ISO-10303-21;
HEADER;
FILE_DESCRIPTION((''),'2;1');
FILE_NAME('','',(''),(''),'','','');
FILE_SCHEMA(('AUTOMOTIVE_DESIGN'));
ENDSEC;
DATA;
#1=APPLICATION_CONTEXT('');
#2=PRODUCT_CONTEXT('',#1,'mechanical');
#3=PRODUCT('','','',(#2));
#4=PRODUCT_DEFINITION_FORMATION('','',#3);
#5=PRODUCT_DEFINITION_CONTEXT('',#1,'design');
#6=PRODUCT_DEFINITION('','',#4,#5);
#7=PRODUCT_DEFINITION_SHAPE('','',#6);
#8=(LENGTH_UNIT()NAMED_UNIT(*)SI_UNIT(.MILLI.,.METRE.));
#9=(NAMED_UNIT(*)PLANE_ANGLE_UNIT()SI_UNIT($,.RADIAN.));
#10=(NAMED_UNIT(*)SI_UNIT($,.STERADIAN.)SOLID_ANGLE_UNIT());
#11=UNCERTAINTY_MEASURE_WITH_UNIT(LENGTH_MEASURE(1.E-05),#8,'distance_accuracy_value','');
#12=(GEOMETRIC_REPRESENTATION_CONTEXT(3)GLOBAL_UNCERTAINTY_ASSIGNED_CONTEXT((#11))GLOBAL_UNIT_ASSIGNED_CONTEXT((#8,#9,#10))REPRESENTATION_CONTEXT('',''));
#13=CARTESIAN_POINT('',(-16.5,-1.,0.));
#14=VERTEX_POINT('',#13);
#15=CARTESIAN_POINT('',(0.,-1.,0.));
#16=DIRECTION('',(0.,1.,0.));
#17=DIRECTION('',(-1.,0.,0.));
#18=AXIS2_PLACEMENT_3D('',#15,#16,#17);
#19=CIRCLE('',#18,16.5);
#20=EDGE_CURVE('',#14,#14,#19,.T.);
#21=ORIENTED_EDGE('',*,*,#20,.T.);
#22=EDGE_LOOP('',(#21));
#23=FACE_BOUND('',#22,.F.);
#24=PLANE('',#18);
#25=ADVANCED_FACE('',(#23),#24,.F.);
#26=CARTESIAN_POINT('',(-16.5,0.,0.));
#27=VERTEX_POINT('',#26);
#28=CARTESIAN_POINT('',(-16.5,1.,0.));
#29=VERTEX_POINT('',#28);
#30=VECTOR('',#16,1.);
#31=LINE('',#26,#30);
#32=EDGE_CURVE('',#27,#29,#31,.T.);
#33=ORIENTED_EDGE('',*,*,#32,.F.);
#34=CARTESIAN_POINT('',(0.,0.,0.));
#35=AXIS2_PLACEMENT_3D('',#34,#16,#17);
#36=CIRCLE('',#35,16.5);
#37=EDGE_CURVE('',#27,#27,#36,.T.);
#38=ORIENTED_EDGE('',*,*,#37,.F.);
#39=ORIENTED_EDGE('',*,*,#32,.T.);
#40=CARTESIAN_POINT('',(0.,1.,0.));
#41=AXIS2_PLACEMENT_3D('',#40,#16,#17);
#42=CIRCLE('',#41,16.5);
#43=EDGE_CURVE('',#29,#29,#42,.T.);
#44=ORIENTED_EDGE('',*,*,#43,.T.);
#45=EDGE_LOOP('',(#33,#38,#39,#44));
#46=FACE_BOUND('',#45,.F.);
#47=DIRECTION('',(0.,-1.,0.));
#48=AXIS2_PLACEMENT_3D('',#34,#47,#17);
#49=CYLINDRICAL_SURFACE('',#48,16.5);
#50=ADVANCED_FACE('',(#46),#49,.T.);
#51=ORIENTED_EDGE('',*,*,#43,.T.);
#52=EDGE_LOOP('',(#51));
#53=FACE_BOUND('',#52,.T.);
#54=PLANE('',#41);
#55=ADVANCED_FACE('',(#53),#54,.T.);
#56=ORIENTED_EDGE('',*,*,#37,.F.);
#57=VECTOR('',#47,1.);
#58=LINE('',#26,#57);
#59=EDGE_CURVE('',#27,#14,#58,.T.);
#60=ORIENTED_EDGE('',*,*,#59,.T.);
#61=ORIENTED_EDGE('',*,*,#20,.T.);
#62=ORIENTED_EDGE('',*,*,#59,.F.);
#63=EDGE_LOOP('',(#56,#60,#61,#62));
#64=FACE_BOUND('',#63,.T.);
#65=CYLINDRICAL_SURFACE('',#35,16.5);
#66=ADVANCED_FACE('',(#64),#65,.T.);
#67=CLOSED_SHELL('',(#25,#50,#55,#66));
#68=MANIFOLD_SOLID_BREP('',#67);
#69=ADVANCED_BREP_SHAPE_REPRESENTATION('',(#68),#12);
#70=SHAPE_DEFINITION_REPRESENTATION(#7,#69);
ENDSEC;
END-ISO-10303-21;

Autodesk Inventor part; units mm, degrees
ref_plane "YZ Plane" through (0, 0, 0) normal (1, 0, 0) x (0, 1, 0)
ref_plane "XZ Plane" through (0, 0, 0) normal (0, 1, 0) x (-1, 0, 0)
ref_plane "XY Plane" through (0, 0, 0) normal (0, 0, 1) x (1, 0, 0)
sketch "Sketch1" plane through (0, 0, 0) normal (0, 1, 0) x (-1, 0, 0)
  circle A0 centre (0, 0) radius 16.5
  dimension "d0" = 33
extrude "Extrusion1" add sketch "Sketch1" along normal mid plane 2
properties part number "Foam Pad" material "Polystyrene"
